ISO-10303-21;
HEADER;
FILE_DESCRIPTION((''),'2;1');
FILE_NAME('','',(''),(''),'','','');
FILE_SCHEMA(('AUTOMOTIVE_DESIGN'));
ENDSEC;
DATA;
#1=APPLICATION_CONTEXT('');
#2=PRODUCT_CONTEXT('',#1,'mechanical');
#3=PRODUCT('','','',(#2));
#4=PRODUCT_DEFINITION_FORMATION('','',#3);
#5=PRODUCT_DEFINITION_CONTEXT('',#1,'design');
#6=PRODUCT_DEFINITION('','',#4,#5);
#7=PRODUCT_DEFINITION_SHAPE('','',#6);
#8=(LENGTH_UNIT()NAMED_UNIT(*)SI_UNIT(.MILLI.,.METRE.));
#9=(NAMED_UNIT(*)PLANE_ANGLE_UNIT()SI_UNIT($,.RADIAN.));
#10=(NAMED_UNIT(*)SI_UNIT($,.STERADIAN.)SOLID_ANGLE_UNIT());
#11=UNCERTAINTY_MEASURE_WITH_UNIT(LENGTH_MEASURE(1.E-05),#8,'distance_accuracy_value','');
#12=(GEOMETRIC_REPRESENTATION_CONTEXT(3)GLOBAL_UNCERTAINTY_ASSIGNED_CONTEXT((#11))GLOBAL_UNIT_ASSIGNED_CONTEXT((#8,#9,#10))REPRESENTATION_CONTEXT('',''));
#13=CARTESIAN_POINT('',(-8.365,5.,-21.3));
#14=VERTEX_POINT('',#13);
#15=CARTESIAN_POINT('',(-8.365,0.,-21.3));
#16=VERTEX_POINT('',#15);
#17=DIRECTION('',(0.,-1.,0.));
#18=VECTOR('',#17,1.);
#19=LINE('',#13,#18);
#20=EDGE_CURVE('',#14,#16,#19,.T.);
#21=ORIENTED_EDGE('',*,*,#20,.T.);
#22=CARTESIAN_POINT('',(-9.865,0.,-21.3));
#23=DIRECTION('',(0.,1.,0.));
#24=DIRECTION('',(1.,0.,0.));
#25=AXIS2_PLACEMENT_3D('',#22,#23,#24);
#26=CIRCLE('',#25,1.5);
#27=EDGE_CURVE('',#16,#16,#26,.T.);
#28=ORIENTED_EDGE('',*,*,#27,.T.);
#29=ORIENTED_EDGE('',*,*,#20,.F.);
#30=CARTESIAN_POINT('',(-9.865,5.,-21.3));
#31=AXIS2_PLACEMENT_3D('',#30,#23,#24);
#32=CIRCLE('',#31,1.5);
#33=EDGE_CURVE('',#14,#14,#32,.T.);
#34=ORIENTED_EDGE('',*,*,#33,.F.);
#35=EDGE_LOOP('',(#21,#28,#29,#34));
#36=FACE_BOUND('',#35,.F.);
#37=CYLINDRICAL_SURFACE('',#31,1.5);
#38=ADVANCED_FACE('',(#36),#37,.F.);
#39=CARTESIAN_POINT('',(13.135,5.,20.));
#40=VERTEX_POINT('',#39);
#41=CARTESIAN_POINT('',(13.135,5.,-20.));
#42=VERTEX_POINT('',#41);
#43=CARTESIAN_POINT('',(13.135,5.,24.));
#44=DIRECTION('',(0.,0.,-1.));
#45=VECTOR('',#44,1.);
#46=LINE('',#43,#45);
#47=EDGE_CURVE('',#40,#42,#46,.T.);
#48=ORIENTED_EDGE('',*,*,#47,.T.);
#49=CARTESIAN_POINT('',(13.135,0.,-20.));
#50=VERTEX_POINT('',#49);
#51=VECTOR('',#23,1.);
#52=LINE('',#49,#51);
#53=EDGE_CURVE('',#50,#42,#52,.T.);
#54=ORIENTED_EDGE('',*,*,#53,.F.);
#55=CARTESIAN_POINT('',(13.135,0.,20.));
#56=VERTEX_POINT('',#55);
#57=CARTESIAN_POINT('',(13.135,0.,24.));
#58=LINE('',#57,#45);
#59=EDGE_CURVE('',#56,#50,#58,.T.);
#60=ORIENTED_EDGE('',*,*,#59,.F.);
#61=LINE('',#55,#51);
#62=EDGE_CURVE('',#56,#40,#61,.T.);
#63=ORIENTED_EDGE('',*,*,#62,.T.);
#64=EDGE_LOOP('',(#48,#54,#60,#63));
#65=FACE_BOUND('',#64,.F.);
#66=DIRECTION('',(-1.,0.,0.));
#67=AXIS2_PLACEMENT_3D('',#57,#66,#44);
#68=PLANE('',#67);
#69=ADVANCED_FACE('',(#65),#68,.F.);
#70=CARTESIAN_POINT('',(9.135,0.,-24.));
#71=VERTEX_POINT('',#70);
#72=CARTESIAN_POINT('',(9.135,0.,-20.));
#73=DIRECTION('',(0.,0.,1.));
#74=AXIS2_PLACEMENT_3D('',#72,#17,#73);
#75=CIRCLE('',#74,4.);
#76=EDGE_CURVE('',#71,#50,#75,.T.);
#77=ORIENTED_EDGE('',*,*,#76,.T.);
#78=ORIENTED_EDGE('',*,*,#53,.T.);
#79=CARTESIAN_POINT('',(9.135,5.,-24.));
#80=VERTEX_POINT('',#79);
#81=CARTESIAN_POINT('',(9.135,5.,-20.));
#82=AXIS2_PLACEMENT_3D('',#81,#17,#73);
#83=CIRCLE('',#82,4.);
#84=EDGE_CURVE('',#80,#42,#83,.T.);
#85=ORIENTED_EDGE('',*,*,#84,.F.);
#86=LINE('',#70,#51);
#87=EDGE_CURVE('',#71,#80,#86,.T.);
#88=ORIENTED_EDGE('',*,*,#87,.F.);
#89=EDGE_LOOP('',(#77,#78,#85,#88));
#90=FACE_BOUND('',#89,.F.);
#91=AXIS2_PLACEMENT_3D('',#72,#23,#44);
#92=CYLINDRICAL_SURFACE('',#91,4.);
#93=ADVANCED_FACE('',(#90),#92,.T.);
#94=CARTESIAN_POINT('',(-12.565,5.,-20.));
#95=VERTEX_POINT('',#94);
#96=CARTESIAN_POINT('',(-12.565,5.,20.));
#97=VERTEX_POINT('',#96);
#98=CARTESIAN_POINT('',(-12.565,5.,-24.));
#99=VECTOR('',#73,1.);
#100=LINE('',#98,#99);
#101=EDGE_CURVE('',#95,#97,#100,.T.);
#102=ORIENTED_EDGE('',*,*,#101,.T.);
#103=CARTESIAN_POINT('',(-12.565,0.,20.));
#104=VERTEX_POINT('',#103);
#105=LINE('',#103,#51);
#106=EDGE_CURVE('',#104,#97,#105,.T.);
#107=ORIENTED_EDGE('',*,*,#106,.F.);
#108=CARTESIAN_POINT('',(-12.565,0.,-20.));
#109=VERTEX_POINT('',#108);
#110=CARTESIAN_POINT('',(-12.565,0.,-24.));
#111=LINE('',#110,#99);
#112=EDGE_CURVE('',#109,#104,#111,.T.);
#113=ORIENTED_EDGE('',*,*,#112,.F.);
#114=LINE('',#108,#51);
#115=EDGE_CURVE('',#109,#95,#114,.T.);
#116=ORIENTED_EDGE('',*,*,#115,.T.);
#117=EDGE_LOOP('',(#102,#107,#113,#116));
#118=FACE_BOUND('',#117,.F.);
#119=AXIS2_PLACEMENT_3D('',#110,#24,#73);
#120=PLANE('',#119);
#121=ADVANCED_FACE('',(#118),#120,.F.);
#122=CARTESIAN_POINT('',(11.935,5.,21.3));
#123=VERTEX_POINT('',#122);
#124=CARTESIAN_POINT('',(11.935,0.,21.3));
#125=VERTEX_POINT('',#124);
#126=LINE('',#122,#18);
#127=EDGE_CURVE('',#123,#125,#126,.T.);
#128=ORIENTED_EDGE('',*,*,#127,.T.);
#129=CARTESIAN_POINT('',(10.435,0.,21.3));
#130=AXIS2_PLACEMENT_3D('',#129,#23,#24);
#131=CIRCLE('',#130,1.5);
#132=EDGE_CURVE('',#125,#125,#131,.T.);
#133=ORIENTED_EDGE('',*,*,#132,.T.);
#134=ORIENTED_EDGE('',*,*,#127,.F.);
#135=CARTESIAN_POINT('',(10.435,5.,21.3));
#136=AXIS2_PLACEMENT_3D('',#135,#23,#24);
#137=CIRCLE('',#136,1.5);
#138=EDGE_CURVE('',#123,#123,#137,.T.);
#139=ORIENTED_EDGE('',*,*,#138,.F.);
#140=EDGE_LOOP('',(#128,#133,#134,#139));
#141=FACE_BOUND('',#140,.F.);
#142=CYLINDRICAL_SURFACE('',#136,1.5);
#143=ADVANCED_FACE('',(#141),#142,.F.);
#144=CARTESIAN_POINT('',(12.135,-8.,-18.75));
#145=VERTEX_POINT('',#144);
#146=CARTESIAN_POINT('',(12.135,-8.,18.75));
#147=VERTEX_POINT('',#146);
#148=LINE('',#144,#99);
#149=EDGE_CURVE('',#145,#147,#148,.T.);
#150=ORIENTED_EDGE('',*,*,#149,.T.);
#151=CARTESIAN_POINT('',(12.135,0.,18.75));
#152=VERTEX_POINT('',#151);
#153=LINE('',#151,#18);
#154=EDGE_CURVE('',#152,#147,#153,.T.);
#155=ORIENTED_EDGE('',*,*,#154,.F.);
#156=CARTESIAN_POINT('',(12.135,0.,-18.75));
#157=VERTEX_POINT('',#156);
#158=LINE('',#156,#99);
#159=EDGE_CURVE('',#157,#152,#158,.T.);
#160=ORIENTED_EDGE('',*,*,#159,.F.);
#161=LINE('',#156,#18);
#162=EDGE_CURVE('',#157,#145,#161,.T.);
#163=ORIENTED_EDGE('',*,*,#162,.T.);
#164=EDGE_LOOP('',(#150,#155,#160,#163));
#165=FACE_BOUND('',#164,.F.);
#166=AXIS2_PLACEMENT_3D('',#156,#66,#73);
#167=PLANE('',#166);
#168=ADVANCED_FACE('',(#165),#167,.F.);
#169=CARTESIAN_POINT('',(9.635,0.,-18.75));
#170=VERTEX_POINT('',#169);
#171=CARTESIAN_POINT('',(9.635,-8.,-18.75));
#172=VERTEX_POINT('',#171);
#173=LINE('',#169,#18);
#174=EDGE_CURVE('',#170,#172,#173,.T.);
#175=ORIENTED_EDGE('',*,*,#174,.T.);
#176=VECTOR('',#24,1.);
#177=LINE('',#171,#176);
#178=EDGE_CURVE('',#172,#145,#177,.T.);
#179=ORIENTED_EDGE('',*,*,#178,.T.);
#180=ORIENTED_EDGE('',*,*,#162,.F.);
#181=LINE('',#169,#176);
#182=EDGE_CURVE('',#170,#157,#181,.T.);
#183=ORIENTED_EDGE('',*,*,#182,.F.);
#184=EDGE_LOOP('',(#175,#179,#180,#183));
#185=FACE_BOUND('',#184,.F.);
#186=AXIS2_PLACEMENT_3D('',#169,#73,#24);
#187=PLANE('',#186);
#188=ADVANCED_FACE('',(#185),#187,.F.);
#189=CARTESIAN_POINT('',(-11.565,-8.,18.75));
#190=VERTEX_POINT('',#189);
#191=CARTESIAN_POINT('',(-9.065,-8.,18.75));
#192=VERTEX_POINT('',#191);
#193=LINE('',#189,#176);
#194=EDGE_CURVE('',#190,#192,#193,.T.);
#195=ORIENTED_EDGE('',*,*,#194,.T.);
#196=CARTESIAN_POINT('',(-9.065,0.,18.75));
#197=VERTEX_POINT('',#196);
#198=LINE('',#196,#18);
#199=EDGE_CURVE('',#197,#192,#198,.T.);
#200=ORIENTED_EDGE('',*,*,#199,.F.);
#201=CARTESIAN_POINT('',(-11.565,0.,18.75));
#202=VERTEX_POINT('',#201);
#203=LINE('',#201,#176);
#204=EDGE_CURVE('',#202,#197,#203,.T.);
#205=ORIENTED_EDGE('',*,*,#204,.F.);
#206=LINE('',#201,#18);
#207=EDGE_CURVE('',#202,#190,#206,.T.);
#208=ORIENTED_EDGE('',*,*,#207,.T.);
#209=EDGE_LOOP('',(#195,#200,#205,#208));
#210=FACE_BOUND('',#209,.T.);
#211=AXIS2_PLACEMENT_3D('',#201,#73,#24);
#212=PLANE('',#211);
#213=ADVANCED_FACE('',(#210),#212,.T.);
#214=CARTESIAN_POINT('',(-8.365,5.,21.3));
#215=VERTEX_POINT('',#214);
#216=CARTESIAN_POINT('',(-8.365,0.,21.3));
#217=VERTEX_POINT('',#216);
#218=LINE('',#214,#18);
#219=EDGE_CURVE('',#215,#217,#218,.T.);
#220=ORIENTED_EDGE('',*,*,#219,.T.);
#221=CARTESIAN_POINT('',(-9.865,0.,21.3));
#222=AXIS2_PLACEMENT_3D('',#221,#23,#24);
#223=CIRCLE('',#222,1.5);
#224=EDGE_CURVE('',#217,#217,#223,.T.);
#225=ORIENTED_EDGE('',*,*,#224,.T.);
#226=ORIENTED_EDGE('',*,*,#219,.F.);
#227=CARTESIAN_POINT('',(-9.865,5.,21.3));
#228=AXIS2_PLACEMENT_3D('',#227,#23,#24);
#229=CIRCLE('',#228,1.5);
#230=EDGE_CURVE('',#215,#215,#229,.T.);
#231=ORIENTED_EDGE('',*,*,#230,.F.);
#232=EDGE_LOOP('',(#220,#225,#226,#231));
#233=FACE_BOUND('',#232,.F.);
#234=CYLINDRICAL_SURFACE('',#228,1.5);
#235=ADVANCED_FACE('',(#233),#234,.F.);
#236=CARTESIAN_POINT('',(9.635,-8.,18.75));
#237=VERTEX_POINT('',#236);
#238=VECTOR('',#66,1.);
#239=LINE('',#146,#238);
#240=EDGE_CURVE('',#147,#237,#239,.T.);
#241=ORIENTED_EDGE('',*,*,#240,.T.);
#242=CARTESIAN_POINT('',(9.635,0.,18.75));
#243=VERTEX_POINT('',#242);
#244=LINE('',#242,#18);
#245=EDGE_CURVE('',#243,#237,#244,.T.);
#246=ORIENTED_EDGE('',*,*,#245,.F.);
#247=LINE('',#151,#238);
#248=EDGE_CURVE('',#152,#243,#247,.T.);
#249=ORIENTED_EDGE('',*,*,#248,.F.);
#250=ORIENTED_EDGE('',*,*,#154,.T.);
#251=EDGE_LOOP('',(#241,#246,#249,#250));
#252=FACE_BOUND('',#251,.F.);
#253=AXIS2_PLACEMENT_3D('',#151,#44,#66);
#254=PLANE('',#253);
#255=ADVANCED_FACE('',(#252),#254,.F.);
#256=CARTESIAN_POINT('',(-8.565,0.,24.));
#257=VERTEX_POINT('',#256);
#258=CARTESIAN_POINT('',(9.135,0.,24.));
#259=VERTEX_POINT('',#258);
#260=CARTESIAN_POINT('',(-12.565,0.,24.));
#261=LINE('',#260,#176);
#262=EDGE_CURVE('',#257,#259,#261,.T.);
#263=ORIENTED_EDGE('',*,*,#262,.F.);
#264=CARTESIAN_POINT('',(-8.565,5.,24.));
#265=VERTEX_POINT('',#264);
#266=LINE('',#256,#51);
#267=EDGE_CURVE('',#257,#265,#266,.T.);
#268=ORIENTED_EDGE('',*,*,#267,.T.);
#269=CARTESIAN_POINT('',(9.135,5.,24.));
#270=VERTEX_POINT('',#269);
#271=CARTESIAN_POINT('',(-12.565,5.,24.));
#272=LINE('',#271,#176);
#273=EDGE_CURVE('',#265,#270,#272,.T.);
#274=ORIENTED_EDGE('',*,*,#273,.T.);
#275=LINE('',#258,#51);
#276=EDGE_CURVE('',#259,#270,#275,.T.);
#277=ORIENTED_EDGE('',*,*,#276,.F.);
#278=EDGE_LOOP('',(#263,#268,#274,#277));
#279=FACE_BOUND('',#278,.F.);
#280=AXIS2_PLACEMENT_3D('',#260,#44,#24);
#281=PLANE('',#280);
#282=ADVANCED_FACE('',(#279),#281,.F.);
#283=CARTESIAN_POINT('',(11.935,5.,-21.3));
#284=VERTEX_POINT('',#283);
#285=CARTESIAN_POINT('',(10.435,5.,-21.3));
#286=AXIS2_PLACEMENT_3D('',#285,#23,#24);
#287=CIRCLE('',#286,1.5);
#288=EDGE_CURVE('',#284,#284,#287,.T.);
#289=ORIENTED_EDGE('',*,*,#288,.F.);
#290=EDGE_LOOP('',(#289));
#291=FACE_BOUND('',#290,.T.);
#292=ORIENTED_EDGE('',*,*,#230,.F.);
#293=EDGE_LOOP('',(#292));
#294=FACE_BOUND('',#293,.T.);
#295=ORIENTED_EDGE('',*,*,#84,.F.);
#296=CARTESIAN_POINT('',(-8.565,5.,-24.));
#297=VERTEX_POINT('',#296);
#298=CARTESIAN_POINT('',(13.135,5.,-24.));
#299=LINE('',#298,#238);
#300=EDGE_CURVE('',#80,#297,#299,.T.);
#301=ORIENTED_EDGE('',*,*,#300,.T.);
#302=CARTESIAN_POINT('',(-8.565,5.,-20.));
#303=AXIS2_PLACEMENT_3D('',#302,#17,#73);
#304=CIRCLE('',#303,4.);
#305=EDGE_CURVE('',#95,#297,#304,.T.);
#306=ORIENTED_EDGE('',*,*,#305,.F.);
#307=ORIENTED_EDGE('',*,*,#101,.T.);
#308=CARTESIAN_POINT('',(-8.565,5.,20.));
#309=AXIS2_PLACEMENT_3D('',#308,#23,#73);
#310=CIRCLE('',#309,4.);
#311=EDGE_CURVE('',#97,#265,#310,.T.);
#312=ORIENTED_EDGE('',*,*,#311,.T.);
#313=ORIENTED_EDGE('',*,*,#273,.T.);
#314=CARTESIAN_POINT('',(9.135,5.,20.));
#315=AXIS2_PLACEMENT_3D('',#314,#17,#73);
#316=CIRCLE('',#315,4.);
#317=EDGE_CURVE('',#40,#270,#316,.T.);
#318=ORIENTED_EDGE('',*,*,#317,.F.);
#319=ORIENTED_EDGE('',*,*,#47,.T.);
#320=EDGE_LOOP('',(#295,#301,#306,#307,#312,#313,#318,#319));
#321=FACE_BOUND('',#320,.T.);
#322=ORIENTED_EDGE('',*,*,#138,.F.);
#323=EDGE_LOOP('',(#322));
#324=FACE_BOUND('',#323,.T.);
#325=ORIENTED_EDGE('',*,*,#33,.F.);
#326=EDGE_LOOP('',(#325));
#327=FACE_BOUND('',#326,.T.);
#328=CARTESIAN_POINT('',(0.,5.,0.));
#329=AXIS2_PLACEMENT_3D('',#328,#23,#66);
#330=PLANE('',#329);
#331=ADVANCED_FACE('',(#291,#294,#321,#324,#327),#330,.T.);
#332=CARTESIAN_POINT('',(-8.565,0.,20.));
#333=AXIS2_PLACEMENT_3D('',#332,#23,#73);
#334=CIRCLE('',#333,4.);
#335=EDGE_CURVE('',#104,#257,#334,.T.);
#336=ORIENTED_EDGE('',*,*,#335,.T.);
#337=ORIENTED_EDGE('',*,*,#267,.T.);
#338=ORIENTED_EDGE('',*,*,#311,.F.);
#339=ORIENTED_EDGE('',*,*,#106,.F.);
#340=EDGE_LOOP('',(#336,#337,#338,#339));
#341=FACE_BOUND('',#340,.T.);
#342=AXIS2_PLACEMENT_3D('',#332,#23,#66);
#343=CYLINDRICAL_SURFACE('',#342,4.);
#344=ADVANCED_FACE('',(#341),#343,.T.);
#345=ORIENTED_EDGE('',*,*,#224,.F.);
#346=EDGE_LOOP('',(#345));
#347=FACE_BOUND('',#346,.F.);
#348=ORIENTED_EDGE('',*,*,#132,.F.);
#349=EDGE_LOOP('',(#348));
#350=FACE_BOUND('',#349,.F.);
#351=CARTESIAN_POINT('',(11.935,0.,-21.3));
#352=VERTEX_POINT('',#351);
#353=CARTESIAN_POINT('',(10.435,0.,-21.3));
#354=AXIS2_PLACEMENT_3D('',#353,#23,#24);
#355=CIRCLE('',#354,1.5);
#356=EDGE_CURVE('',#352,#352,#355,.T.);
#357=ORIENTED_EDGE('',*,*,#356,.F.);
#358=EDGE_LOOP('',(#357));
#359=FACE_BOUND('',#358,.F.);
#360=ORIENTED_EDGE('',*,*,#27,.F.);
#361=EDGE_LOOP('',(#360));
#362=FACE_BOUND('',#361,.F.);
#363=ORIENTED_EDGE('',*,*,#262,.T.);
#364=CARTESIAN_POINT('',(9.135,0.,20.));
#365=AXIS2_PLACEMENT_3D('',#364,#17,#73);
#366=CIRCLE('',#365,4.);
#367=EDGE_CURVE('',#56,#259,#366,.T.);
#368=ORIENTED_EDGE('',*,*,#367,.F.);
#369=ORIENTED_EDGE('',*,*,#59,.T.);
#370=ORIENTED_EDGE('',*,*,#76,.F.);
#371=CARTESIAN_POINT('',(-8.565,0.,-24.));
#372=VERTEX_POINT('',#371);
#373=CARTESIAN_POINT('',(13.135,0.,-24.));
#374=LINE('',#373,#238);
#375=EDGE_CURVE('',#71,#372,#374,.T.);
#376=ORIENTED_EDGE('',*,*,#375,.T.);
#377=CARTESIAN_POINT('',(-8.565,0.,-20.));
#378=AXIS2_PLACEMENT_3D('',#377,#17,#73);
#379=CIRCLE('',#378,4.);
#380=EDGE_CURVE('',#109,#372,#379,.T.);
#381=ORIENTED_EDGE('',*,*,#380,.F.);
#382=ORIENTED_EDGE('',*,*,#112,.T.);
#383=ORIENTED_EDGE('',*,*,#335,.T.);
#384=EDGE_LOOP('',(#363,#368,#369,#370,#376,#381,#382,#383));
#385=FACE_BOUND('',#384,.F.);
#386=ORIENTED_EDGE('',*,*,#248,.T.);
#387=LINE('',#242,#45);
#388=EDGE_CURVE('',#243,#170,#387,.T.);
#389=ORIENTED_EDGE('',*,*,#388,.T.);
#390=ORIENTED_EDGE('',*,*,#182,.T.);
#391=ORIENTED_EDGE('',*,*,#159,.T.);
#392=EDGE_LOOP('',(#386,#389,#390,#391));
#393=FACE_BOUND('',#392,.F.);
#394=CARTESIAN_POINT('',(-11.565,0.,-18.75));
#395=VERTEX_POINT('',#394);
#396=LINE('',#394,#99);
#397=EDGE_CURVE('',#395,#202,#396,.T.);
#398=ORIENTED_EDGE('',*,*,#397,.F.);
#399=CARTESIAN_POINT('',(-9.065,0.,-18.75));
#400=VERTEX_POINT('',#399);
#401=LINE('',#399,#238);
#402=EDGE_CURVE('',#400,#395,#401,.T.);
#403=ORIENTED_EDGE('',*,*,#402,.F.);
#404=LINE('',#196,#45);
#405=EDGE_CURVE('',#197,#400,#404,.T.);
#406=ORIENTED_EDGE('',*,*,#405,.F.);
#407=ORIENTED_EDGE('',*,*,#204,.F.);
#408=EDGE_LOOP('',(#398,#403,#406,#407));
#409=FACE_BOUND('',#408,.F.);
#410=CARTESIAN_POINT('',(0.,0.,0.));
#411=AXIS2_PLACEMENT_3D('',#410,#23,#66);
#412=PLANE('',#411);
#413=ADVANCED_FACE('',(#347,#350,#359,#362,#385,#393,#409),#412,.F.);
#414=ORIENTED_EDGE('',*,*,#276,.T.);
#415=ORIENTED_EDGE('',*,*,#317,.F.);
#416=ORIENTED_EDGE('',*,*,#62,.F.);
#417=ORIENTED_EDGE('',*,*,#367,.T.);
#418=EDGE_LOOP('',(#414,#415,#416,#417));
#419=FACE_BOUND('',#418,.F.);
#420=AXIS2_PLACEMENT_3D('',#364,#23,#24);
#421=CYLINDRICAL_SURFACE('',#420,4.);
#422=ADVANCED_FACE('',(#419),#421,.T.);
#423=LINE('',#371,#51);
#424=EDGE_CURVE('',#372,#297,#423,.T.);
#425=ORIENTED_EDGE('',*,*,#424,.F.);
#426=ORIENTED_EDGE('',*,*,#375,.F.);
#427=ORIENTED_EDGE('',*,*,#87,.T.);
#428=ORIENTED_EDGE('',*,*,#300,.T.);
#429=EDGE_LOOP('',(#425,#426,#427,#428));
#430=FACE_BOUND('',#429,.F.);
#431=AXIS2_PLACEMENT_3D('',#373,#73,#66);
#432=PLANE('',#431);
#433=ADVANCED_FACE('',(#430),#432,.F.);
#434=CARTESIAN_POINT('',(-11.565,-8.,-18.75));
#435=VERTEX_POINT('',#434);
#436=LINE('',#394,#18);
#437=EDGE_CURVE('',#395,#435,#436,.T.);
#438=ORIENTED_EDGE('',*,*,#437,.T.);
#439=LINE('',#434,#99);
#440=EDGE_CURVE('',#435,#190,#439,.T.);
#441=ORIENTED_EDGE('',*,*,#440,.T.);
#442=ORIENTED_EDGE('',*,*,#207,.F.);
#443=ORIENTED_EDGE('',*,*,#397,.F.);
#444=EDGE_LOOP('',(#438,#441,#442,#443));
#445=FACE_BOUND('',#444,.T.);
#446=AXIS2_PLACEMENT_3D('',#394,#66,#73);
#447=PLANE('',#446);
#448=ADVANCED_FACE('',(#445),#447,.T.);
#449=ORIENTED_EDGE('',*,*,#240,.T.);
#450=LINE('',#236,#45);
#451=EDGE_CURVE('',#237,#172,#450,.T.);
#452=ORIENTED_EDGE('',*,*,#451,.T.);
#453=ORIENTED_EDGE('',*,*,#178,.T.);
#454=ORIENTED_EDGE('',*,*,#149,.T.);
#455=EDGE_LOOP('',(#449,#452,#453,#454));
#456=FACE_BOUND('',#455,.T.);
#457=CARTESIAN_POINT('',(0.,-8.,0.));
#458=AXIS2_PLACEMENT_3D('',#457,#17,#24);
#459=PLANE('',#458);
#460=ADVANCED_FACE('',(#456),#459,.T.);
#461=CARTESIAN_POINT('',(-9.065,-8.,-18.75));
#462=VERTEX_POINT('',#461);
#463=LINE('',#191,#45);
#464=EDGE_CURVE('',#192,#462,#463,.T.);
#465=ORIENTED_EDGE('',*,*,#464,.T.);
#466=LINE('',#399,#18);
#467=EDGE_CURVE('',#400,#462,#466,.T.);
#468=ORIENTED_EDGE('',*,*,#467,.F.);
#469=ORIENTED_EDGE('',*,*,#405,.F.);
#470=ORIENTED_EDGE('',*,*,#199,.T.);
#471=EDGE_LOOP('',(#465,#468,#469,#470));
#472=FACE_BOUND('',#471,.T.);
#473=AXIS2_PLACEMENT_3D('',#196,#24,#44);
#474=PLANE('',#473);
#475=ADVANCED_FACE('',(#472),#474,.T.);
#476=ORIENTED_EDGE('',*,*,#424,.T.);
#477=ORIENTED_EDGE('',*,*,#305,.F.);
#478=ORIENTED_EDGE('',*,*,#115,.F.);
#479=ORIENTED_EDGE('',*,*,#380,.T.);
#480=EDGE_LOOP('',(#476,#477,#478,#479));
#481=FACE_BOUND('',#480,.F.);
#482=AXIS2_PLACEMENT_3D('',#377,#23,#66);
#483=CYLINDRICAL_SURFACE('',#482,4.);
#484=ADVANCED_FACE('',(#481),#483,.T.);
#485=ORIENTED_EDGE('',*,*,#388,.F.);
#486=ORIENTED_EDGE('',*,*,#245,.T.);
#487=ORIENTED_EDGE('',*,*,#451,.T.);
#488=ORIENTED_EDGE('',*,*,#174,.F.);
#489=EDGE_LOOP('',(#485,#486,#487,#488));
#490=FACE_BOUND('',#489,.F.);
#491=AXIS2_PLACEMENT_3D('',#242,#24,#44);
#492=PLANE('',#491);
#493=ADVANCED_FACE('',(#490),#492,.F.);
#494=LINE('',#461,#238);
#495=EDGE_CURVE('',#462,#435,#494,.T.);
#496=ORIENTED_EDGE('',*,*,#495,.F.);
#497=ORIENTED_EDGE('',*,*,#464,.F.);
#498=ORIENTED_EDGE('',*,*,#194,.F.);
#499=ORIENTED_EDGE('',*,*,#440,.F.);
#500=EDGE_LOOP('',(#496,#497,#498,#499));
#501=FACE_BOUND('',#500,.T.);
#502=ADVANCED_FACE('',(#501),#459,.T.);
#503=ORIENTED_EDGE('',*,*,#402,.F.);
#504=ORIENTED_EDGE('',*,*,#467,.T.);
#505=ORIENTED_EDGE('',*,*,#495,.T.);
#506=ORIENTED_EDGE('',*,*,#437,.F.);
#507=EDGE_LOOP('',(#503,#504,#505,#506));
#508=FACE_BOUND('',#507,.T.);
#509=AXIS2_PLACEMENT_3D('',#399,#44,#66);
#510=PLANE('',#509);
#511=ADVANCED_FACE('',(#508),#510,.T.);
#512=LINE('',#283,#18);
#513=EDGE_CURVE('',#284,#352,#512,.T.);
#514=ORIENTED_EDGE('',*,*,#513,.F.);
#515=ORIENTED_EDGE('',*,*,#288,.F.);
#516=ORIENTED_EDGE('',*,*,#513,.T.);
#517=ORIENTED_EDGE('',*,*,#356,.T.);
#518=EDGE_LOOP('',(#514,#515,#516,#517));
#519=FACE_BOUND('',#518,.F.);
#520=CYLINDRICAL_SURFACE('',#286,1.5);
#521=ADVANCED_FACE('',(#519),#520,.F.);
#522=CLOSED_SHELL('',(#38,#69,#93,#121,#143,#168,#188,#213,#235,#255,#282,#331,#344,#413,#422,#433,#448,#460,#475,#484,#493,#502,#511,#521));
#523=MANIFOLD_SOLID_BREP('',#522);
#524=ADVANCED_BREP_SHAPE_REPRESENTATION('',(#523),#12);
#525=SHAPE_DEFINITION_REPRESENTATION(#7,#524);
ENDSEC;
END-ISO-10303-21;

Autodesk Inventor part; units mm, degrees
ref_plane "YZ Plane" through (0, 0, 0) normal (1, 0, 0) x (0, 1, 0)
ref_plane "XZ Plane" through (0, 0, 0) normal (0, 1, 0) x (-1, 0, 0)
ref_plane "XY Plane" through (0, 0, 0) normal (0, 0, 1) x (1, 0, 0)
sketch "Boceto1" plane through (0, 0, 0) normal (0, 1, 0) x (-1, 0, 0)
  line L0 (12.565, 24) -> (-13.135, 24)
  line L1 (-13.135, 24) -> (-13.135, -24)
  line L2 (-13.135, -24) -> (12.565, -24)
  line L3 (12.565, -24) -> (12.565, 24)
  point P0 (0, 0)
  point P1 (-0.285, -24)
  dimension "d0" = 48
  dimension "d1" = 25.7
  dimension "d2" = 12.565
  dimension "d3" = 24
extrude "Extrusión1" add sketch "Boceto1" along normal blind 5
fillet "Empalme1" radius 4 3 edges at (13.135, 2.5, 24) (13.135, 2.5, -24) (-12.565, 2.5, 24)
fillet "Empalme2" radius 4 1 edges at (-12.565, 2.5, -24)
sketch "Boceto2" plane through (0, 5, 0) normal (0, 1, 0) x (1, 0, 0)
  circle A0 centre (-9.865, -21.3) radius 1.5
  line L0 (-8.565, -24) -> (9.135, -24) projected
  line L1 (-12.565, 20) -> (-12.565, -20) projected
  line L2 (-31.929, 0) -> (35.0281, 0)
  circle A1 centre (-9.865, 21.3) radius 1.5
  line L3 (0.285, 24.6166) -> (0.285, -27.3805)
  circle A2 centre (10.435, -21.3) radius 1.5
  circle A3 centre (10.435, 21.3) radius 1.5
  line L4 (13.135, -20) -> (13.135, 20) projected
  line L5 (9.135, 24) -> (-8.565, 24) projected
  point P0 (0, 0)
  dimension "d8" = 3
  dimension "d9" = 2.7
  dimension "d10" = 2.7
  dimension "d21" = 2.7
  dimension "d22" = 2.7
extrude "Extrusión2" cut sketch "Boceto2" against normal blind 10
sketch "Boceto3" plane through (0, 0, 0) normal (0, -1, 0) x (1, 0, 0)
  line L0 (-11.565, 18.75) -> (-9.065, 18.75)
  line L1 (-9.065, 18.75) -> (-9.065, -18.75)
  line L2 (-9.065, -18.75) -> (-11.565, -18.75)
  line L3 (-11.565, -18.75) -> (-11.565, 18.75)
  line L4 (0.285, 27.3547) -> (0.285, -28.7593)
  line L5 (-12.565, -20) -> (-12.565, 20) projected
  line L6 (-8.565, 24) -> (9.135, 24) projected
  line L7 (9.135, -24) -> (-8.565, -24) projected
  line L8 (12.135, 18.75) -> (9.635, 18.75)
  line L9 (9.635, 18.75) -> (9.635, -18.75)
  line L10 (9.635, -18.75) -> (12.135, -18.75)
  line L11 (12.135, -18.75) -> (12.135, 18.75)
  line L12 (13.135, 20) -> (13.135, -20) projected
  point P0 (0, 0)
  point P1 (-10.315, 18.75)
  point P2 (-10.315, -18.75)
  point P3 (10.885, 18.75)
  point P4 (10.885, -18.75)
  dimension "d13" = 37.5
  dimension "d14" = 2.5
  dimension "d15" = 1
  dimension "d16" = 5.25
  dimension "d17" = 5.25
  dimension "d18" = 1
extrude "Extrusión3" add sketch "Boceto3" along normal blind 8
equation "\"Radio_pliegue\" = Grosor"
equation "\"Anchura_desahogo_plegado\" = Grosor"
equation "\"Profundidad_desahogo_plegado\" = 0.5 * Grosor"
equation "\"Tamaño_destalonado\" = 4 * Grosor"
equation "\"Remanente_mínimo\" = 2 * Grosor"
equation "\"Radiodetransición\" = Radio_pliegue"
equation "\"Tamaño_de_radio_de_Jacobi\" = Radio_pliegue"
equation "\"TamañoSeparación\" = Grosor"
equation "\"Grosor\" = 0.5"
properties part number "ESP_8266"
